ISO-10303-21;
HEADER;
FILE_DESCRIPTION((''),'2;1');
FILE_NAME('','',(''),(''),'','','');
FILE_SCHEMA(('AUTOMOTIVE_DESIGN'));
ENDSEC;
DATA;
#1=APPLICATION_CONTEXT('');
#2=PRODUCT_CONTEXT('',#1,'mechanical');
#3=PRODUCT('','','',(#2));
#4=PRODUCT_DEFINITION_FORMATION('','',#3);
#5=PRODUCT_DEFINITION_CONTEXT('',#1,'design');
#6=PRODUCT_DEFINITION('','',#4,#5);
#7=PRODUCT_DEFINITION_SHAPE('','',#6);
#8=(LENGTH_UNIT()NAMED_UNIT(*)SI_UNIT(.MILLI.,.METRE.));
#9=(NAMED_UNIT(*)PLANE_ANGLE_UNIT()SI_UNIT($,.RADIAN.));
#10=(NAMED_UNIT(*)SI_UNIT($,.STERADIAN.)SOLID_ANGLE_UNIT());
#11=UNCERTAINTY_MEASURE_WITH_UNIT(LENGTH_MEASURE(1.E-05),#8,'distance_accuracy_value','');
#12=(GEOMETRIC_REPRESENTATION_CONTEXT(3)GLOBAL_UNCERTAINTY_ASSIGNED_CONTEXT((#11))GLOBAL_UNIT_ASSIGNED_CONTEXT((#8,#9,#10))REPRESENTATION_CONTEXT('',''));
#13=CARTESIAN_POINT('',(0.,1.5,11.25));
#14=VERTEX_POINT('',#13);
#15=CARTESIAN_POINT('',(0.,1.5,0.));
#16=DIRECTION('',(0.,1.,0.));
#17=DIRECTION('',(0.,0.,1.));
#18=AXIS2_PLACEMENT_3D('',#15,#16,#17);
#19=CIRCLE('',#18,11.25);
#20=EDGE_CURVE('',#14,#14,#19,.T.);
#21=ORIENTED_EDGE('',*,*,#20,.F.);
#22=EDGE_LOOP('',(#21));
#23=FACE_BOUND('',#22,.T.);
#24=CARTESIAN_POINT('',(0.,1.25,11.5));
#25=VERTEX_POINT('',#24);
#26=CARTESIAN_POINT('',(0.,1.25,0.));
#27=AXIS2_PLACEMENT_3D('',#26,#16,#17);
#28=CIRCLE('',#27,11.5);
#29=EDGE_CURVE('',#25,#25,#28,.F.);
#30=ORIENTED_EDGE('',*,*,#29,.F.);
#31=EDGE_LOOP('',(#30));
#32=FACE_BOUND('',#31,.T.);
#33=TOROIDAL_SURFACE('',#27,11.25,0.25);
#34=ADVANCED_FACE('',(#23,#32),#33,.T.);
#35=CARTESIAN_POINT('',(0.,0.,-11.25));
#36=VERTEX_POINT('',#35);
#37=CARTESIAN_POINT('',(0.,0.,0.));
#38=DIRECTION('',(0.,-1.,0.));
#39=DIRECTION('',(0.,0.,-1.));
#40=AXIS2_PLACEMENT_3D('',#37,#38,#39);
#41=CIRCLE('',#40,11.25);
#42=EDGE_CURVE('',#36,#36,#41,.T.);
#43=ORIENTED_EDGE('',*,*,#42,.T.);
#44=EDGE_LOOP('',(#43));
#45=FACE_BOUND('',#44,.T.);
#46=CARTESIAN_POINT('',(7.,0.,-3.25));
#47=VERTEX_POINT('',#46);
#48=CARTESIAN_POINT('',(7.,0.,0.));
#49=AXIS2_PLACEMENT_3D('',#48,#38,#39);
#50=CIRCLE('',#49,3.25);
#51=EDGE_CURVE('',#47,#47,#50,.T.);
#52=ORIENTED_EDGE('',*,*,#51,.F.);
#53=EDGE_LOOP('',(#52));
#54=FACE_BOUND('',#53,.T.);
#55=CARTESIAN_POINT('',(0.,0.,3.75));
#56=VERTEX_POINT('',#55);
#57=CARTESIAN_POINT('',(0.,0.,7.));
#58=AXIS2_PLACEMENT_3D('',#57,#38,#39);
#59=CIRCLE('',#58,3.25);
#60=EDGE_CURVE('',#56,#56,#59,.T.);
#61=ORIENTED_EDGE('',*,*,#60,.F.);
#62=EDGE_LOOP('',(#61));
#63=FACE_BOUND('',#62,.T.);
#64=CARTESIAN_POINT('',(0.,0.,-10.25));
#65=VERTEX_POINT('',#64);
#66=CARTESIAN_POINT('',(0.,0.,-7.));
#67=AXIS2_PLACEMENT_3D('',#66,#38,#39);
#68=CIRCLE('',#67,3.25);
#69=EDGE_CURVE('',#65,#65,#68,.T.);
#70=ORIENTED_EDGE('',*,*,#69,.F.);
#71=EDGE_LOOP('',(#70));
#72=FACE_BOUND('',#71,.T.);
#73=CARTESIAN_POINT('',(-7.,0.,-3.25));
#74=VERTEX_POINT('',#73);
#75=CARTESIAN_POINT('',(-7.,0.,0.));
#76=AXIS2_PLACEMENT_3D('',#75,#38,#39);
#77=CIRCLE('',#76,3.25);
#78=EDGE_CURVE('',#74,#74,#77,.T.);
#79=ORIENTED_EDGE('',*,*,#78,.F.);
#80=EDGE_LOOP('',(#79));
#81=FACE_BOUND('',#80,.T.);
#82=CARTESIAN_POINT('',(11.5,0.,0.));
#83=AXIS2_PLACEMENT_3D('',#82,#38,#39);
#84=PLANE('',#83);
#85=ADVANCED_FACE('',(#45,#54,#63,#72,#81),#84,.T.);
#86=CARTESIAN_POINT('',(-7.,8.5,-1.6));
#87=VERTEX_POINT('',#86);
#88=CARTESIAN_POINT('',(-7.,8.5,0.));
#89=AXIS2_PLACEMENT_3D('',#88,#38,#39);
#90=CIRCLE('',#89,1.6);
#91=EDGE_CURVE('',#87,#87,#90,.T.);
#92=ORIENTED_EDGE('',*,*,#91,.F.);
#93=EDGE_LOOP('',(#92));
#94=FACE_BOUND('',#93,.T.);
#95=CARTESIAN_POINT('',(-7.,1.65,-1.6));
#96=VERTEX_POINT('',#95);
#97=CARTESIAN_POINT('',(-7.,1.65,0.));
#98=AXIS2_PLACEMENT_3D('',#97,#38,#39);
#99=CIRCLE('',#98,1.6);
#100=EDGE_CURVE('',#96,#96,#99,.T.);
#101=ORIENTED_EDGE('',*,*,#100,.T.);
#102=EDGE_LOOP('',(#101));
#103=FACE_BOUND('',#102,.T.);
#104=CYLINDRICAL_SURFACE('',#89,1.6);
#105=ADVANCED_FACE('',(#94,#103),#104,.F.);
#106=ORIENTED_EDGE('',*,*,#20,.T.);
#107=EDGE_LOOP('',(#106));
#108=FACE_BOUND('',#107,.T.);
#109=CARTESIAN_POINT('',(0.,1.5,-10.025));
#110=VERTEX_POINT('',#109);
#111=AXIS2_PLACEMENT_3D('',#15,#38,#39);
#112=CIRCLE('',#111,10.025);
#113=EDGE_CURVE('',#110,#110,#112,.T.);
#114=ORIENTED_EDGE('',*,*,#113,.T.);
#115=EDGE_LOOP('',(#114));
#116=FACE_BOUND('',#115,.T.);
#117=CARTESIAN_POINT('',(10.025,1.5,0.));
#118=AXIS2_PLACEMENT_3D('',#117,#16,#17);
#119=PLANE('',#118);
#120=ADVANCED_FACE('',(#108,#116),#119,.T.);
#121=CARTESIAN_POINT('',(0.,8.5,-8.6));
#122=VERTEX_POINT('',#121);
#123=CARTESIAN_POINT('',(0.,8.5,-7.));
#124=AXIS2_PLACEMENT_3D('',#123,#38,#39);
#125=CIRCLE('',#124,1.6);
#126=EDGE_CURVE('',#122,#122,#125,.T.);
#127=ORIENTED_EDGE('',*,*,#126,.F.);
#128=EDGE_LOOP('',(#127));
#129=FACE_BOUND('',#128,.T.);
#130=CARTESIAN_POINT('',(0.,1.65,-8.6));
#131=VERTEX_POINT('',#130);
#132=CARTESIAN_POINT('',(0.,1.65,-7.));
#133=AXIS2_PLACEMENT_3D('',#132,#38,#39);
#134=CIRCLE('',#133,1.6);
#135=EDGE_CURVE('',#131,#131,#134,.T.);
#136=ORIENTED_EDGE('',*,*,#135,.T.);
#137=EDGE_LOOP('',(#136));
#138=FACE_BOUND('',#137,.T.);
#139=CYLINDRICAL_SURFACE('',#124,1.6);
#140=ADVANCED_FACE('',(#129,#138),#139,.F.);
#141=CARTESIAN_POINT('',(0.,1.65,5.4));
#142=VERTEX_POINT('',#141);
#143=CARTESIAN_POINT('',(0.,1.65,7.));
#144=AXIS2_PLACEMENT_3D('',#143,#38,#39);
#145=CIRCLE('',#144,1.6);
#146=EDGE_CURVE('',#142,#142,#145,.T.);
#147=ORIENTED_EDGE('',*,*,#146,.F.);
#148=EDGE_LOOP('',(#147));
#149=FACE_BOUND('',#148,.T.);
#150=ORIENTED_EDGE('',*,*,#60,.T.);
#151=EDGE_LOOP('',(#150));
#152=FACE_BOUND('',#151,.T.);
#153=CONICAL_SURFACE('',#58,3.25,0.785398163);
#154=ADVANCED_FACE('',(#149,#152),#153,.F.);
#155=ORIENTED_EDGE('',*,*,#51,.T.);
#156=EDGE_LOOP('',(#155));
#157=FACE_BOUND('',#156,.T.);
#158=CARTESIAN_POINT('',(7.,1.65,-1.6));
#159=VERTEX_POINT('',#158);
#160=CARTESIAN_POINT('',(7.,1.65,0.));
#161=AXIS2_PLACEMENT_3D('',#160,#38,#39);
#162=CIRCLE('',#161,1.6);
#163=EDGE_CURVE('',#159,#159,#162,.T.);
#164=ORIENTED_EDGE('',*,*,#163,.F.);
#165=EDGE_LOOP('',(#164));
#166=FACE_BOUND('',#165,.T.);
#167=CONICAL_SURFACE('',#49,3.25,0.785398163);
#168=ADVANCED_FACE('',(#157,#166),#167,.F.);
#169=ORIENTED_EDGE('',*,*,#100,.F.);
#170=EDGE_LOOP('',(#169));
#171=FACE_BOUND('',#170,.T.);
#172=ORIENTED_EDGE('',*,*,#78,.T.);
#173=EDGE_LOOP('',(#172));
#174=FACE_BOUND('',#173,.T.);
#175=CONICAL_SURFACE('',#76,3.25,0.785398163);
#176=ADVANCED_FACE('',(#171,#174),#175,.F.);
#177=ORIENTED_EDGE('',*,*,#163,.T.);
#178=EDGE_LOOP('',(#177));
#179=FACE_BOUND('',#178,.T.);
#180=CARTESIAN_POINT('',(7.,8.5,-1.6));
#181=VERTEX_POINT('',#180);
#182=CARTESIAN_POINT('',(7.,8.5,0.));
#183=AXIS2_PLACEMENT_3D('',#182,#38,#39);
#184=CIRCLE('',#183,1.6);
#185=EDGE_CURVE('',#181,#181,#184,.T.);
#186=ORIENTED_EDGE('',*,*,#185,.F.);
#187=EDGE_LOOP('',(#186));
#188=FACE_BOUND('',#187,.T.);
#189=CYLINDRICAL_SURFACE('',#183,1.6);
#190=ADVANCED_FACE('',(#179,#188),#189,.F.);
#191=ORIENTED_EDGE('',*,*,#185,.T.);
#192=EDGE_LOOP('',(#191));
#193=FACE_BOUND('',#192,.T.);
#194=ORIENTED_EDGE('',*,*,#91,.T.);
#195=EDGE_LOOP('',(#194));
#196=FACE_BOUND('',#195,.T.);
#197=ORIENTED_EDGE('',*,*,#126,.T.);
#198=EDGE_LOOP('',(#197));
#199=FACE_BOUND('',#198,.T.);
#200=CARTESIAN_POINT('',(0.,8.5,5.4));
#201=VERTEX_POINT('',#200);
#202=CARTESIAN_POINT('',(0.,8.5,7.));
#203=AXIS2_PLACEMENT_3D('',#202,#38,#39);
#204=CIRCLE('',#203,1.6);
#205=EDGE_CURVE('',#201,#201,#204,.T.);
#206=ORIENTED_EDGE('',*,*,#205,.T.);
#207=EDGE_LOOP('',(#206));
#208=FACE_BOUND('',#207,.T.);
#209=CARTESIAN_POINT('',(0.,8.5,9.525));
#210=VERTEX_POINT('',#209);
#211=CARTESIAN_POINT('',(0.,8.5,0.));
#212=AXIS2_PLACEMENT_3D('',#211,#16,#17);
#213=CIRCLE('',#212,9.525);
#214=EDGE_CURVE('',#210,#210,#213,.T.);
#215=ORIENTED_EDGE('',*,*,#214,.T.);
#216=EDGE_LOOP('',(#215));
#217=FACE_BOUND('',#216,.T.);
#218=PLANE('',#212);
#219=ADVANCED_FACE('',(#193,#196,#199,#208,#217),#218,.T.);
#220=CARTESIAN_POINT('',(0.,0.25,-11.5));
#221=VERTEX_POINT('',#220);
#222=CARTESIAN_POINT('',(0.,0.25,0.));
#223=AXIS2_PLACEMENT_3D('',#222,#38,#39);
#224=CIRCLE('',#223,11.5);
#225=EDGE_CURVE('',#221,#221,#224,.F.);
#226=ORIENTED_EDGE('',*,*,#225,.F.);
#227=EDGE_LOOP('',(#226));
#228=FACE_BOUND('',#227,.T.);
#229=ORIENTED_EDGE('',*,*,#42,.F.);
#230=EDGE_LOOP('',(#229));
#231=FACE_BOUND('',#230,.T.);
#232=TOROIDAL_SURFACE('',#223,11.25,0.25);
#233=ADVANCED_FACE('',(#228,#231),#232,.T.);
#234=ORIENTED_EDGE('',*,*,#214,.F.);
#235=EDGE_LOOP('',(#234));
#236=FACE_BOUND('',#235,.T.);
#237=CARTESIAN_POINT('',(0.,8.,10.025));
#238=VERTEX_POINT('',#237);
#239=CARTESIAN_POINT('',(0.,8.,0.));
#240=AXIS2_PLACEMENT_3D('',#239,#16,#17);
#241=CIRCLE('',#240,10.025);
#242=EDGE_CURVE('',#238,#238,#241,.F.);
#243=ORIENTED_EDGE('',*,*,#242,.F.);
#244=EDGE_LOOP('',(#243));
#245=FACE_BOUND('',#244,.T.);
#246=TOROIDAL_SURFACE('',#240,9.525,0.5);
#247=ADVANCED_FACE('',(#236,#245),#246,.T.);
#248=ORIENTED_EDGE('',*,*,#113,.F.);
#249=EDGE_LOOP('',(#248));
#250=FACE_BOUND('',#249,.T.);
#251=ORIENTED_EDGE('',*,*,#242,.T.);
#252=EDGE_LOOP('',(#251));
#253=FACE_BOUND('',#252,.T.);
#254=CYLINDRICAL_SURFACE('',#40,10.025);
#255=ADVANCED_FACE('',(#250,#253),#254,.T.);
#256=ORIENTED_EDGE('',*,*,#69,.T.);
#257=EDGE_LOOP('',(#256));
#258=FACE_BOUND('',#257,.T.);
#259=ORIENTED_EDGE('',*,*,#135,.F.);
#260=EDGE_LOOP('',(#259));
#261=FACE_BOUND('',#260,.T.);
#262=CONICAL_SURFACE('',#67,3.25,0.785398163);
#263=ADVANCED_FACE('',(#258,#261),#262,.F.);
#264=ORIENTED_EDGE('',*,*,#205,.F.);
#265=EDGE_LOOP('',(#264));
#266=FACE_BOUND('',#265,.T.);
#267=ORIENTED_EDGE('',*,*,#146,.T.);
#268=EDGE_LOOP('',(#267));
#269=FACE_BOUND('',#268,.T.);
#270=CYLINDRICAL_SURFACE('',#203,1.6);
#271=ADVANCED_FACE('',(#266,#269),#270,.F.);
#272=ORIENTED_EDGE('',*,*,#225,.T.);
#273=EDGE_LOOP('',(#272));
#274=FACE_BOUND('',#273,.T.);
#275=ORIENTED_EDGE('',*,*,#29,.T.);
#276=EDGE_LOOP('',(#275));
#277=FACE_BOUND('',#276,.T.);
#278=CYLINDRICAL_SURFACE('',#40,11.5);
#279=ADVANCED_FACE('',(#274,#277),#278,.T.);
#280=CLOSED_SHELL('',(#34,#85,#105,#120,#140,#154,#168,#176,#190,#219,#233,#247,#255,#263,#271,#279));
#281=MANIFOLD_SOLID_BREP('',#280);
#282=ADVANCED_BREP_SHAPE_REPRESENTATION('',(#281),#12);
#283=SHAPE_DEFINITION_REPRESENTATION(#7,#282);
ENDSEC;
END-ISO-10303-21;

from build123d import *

# Parameters (mm, degrees)
SKETCH2_R                                       = 1.6
CUT_EXTRUDE1_DEPTH                              = 19.350749304
CSK_FOR_M3_FLAT_HEAD_MACHINE_SCREW1_D           = 2.8
CSK_FOR_M3_FLAT_HEAD_MACHINE_SCREW1_CSINK_D     = 6.5
CSK_FOR_M3_FLAT_HEAD_MACHINE_SCREW1_CSINK_ANGLE = 90
FILLET1_R                                       = 0.5
FILLET2_R                                       = 0.25


with BuildPart() as part:
    # Sketch1 → Revolve1 (revolve)
    with BuildSketch(Plane.XY, mode=Mode.PRIVATE) as revolve1_sk:
        Polygon((0, 8.5), (10.025, 8.5), (10.025, 1.5), (11.5, 1.5), (11.5, 0), (0, 0), align=None)
    revolve(revolve1_sk.sketch.rotate(Axis((0, 0, 0), (0, 1, 0)), 90), axis=Axis((0, 0, 0), (0, 1, 0)))

    # Sketch2 → Cut-Extrude1 (cut, through all)
    with BuildSketch(Plane.XZ):
        with Locations(Location((0, 7, 0), (0, 0, 270))):
            Circle(SKETCH2_R)
        with Locations(Location((7, 0, 0), (0, 0, 270))):
            Circle(SKETCH2_R)
        with Locations(Location((0, -7, 0), (0, 0, 270))):
            Circle(SKETCH2_R)
        with Locations(Location((-7, 0, 0), (0, 0, 270))):
            Circle(SKETCH2_R)
    extrude(amount=-CUT_EXTRUDE1_DEPTH, mode=Mode.SUBTRACT)

    # CSK for M3 Flat Head Machine Screw1 (through all)
    with Locations(Plane(origin=(0, 0, 7), x_dir=(0, 0, -1), z_dir=(0, -1, 0))):
        with Locations((0, 0), (7, 7), (14, 0), (7, -7)):
            CounterSinkHole(CSK_FOR_M3_FLAT_HEAD_MACHINE_SCREW1_D / 2, CSK_FOR_M3_FLAT_HEAD_MACHINE_SCREW1_CSINK_D / 2, counter_sink_angle=CSK_FOR_M3_FLAT_HEAD_MACHINE_SCREW1_CSINK_ANGLE)

    # Fillet1
    fillet1_edges = [part.edges().sort_by_distance(p)[0] for p in [
        (0, 8.5, 10.025),
    ]]
    fillet(fillet1_edges, radius=FILLET1_R)

    # Fillet2
    fillet2_edges = [part.edges().sort_by_distance(p)[0] for p in [
        (0, 0, 11.5),
        (0, 1.5, 11.5),
    ]]
    fillet(fillet2_edges, radius=FILLET2_R)


solid = part.part
